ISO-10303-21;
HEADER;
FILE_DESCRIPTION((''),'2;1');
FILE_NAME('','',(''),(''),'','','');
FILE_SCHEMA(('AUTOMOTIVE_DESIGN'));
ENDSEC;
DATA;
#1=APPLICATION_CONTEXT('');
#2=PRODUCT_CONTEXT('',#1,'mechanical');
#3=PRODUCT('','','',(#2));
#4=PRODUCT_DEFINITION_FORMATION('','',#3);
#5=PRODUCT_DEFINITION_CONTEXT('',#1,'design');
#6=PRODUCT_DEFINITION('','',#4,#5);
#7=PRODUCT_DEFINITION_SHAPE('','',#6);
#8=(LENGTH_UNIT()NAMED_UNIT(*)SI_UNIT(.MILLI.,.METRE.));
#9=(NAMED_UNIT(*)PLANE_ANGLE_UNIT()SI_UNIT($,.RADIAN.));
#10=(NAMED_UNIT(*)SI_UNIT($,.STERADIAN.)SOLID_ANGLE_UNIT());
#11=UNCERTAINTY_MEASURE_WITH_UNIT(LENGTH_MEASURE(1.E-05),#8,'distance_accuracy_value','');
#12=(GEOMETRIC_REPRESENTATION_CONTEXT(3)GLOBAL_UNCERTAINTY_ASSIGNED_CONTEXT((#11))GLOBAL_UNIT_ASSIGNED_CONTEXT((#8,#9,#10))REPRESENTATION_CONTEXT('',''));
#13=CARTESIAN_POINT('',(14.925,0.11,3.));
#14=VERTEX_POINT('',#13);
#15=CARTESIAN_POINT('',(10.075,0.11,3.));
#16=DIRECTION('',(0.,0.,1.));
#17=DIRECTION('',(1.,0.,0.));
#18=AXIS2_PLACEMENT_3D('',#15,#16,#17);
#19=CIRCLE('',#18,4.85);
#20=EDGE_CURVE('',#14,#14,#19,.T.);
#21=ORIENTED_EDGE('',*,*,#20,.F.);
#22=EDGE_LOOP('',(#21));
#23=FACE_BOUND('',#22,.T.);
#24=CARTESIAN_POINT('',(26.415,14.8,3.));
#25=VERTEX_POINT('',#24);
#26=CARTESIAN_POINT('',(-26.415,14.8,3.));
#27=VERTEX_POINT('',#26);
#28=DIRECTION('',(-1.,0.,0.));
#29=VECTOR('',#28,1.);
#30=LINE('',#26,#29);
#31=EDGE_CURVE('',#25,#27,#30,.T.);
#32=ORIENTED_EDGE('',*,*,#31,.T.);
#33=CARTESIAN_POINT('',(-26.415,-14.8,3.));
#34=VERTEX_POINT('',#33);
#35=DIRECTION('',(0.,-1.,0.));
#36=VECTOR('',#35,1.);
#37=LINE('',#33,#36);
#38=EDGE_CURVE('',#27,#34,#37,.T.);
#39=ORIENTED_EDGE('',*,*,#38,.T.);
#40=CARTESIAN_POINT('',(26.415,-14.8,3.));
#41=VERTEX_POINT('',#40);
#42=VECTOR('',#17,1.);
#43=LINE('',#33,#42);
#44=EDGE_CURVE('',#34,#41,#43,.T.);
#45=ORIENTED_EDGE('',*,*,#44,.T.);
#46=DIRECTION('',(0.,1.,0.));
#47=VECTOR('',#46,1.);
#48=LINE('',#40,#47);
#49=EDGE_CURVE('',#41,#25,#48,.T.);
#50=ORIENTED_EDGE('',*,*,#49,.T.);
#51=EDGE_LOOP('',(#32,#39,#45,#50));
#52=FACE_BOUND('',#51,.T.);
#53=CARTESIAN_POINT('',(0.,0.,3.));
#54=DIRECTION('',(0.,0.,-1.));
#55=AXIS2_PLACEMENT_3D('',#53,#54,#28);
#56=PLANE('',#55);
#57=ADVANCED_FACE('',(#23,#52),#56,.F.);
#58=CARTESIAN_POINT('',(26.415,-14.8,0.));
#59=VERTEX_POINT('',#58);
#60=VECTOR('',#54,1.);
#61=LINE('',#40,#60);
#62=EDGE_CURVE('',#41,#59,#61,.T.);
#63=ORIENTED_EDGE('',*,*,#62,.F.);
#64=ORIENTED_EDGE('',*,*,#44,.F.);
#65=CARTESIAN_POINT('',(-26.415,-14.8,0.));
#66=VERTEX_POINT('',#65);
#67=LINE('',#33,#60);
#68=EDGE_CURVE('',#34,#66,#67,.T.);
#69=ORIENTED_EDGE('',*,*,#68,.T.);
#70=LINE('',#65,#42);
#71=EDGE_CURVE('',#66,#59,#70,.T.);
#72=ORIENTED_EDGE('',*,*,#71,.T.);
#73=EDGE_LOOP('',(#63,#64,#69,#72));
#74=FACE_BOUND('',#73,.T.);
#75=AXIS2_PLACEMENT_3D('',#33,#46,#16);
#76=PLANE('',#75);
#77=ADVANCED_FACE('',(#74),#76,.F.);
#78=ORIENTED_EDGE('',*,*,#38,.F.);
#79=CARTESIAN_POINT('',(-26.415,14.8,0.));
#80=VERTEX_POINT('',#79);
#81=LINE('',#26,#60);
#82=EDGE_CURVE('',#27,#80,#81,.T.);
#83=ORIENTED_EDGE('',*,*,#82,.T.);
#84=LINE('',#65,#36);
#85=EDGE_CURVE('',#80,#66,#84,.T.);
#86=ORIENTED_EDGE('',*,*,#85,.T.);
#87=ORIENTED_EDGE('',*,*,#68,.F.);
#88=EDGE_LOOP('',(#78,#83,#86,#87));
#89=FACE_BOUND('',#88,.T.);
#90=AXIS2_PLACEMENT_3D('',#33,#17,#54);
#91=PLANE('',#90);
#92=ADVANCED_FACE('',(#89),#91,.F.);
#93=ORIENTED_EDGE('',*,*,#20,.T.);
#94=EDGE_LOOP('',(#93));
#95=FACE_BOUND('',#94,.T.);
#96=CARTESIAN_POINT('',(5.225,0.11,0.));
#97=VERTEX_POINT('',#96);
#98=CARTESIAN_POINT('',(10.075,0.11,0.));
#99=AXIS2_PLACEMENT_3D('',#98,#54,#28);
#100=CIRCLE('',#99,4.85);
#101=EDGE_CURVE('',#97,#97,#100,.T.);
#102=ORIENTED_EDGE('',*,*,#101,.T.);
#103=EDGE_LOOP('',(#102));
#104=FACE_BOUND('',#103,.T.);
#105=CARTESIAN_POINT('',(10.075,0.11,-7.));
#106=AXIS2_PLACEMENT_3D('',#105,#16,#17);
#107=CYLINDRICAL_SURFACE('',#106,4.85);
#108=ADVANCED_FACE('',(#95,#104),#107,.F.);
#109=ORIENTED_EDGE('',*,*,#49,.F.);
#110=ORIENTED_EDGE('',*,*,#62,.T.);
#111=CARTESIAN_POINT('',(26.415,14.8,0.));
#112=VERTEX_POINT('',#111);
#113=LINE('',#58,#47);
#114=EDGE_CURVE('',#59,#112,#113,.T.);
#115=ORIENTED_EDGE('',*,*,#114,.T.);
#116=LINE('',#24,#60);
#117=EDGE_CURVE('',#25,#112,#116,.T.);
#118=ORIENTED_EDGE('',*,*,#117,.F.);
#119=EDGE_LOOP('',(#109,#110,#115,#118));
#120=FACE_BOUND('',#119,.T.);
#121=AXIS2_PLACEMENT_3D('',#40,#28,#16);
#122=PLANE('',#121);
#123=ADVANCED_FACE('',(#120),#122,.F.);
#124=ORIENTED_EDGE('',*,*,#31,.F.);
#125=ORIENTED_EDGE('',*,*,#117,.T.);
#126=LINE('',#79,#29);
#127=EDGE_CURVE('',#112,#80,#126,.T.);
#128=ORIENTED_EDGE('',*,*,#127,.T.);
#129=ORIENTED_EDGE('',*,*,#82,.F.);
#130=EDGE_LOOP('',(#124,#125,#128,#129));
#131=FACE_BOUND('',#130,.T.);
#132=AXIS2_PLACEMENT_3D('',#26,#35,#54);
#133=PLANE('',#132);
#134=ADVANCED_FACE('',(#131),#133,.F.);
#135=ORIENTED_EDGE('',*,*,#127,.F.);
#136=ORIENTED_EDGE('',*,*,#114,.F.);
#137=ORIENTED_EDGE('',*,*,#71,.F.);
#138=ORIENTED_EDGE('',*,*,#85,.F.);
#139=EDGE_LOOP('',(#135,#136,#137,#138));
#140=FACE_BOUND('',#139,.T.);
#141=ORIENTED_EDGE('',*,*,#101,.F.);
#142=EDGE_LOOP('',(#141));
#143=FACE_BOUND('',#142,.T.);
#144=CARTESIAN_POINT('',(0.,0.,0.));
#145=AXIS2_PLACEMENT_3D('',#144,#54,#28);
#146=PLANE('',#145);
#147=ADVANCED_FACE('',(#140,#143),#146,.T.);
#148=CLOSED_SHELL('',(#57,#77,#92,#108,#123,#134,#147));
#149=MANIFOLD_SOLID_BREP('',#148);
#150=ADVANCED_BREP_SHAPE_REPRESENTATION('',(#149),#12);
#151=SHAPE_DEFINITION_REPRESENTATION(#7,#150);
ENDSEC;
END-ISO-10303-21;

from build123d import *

# Parameters (mm, degrees)
SKETCH1_W           = 52.83
SKETCH1_H           = 29.6
BOSS_EXTRUDE1_DEPTH = 3
SKETCH2_R           = 4.85
CUT_EXTRUDE1_DEPTH  = 10


with BuildPart() as part:
    # Sketch1 → Boss-Extrude1 (new body)
    with BuildSketch(Plane.XY):
        Rectangle(SKETCH1_W, SKETCH1_H)
    extrude(amount=BOSS_EXTRUDE1_DEPTH)

    # Sketch2 → Cut-Extrude1 (cut)
    with BuildSketch(Plane.XY.offset(3)):
        with Locations((10.075, 0.11)):
            Circle(SKETCH2_R)
    extrude(amount=-CUT_EXTRUDE1_DEPTH, mode=Mode.SUBTRACT)


solid = part.part
